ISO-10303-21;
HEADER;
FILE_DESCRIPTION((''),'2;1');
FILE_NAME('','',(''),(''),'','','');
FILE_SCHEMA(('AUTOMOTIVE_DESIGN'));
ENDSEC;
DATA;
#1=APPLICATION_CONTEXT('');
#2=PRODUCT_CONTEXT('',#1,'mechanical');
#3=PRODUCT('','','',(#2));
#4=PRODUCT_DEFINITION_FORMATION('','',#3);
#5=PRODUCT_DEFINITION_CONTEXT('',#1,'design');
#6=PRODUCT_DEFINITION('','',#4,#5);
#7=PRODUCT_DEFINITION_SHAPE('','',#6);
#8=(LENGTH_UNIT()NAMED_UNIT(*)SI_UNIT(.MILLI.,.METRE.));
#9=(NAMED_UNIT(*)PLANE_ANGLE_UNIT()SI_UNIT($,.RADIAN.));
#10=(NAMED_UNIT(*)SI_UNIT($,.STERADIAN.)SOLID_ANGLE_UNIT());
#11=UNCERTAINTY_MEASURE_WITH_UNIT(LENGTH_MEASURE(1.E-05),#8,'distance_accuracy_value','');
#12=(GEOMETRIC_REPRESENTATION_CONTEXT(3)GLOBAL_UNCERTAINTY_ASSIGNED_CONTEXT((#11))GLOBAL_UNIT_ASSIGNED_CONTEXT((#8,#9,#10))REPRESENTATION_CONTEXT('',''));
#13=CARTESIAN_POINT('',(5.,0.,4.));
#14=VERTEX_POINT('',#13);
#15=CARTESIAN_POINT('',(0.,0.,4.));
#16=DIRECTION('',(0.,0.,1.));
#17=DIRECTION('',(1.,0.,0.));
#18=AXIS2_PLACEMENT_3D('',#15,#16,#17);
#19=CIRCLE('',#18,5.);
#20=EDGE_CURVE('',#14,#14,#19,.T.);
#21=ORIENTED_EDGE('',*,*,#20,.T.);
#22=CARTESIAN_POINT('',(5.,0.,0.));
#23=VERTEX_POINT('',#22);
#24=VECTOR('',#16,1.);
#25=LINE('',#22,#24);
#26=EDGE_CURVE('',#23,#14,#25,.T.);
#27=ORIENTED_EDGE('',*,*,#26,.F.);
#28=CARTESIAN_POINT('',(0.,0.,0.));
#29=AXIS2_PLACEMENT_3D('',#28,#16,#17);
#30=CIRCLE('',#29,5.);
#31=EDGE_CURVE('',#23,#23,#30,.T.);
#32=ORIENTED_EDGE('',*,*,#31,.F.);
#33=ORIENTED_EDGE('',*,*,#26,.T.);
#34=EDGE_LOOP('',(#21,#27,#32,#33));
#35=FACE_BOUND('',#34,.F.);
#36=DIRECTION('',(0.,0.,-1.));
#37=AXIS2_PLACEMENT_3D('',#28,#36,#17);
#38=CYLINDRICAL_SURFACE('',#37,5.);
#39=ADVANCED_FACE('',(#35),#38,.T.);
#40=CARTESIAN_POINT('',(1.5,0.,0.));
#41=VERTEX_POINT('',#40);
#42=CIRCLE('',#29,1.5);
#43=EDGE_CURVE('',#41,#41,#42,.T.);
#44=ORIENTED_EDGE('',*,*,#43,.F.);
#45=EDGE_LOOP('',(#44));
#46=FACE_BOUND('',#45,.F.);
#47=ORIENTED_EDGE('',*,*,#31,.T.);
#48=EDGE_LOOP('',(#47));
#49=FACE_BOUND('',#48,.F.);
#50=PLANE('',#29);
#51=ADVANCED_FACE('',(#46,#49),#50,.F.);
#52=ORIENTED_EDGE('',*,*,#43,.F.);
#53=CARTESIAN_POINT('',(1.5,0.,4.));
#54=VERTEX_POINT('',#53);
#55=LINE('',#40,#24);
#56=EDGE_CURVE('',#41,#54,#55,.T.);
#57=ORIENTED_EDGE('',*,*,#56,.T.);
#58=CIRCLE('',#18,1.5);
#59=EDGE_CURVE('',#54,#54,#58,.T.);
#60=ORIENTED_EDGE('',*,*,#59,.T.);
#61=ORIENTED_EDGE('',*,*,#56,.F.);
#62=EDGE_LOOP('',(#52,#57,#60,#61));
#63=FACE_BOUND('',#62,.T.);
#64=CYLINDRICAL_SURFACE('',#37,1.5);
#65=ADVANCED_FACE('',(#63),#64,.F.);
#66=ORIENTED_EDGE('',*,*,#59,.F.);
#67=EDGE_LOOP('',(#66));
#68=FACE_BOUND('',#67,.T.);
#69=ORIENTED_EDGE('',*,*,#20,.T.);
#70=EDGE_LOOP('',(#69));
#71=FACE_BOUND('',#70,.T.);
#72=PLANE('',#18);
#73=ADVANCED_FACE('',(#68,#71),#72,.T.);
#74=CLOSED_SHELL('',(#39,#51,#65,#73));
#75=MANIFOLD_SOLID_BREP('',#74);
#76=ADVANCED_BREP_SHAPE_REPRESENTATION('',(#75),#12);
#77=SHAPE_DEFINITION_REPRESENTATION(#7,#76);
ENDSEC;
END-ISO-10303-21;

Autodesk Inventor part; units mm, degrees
ref_plane "YZ Plane" through (0, 0, 0) normal (1, 0, 0) x (0, 1, 0)
ref_plane "XZ Plane" through (0, 0, 0) normal (0, 1, 0) x (-1, 0, 0)
ref_plane "XY Plane" through (0, 0, 0) normal (0, 0, 1) x (1, 0, 0)
sketch "Sketch1" plane through (0, 0, 0) normal (0, 0, 1) x (1, 0, 0)
  circle A0 centre (0, 0) radius 5
  circle A1 centre (0, 0) radius 1.5
  dimension "d0" = 10
  dimension "d1" = 3
extrude "Extrusion1" add sketch "Sketch1" along normal blind 4
properties part number "Bearing"
